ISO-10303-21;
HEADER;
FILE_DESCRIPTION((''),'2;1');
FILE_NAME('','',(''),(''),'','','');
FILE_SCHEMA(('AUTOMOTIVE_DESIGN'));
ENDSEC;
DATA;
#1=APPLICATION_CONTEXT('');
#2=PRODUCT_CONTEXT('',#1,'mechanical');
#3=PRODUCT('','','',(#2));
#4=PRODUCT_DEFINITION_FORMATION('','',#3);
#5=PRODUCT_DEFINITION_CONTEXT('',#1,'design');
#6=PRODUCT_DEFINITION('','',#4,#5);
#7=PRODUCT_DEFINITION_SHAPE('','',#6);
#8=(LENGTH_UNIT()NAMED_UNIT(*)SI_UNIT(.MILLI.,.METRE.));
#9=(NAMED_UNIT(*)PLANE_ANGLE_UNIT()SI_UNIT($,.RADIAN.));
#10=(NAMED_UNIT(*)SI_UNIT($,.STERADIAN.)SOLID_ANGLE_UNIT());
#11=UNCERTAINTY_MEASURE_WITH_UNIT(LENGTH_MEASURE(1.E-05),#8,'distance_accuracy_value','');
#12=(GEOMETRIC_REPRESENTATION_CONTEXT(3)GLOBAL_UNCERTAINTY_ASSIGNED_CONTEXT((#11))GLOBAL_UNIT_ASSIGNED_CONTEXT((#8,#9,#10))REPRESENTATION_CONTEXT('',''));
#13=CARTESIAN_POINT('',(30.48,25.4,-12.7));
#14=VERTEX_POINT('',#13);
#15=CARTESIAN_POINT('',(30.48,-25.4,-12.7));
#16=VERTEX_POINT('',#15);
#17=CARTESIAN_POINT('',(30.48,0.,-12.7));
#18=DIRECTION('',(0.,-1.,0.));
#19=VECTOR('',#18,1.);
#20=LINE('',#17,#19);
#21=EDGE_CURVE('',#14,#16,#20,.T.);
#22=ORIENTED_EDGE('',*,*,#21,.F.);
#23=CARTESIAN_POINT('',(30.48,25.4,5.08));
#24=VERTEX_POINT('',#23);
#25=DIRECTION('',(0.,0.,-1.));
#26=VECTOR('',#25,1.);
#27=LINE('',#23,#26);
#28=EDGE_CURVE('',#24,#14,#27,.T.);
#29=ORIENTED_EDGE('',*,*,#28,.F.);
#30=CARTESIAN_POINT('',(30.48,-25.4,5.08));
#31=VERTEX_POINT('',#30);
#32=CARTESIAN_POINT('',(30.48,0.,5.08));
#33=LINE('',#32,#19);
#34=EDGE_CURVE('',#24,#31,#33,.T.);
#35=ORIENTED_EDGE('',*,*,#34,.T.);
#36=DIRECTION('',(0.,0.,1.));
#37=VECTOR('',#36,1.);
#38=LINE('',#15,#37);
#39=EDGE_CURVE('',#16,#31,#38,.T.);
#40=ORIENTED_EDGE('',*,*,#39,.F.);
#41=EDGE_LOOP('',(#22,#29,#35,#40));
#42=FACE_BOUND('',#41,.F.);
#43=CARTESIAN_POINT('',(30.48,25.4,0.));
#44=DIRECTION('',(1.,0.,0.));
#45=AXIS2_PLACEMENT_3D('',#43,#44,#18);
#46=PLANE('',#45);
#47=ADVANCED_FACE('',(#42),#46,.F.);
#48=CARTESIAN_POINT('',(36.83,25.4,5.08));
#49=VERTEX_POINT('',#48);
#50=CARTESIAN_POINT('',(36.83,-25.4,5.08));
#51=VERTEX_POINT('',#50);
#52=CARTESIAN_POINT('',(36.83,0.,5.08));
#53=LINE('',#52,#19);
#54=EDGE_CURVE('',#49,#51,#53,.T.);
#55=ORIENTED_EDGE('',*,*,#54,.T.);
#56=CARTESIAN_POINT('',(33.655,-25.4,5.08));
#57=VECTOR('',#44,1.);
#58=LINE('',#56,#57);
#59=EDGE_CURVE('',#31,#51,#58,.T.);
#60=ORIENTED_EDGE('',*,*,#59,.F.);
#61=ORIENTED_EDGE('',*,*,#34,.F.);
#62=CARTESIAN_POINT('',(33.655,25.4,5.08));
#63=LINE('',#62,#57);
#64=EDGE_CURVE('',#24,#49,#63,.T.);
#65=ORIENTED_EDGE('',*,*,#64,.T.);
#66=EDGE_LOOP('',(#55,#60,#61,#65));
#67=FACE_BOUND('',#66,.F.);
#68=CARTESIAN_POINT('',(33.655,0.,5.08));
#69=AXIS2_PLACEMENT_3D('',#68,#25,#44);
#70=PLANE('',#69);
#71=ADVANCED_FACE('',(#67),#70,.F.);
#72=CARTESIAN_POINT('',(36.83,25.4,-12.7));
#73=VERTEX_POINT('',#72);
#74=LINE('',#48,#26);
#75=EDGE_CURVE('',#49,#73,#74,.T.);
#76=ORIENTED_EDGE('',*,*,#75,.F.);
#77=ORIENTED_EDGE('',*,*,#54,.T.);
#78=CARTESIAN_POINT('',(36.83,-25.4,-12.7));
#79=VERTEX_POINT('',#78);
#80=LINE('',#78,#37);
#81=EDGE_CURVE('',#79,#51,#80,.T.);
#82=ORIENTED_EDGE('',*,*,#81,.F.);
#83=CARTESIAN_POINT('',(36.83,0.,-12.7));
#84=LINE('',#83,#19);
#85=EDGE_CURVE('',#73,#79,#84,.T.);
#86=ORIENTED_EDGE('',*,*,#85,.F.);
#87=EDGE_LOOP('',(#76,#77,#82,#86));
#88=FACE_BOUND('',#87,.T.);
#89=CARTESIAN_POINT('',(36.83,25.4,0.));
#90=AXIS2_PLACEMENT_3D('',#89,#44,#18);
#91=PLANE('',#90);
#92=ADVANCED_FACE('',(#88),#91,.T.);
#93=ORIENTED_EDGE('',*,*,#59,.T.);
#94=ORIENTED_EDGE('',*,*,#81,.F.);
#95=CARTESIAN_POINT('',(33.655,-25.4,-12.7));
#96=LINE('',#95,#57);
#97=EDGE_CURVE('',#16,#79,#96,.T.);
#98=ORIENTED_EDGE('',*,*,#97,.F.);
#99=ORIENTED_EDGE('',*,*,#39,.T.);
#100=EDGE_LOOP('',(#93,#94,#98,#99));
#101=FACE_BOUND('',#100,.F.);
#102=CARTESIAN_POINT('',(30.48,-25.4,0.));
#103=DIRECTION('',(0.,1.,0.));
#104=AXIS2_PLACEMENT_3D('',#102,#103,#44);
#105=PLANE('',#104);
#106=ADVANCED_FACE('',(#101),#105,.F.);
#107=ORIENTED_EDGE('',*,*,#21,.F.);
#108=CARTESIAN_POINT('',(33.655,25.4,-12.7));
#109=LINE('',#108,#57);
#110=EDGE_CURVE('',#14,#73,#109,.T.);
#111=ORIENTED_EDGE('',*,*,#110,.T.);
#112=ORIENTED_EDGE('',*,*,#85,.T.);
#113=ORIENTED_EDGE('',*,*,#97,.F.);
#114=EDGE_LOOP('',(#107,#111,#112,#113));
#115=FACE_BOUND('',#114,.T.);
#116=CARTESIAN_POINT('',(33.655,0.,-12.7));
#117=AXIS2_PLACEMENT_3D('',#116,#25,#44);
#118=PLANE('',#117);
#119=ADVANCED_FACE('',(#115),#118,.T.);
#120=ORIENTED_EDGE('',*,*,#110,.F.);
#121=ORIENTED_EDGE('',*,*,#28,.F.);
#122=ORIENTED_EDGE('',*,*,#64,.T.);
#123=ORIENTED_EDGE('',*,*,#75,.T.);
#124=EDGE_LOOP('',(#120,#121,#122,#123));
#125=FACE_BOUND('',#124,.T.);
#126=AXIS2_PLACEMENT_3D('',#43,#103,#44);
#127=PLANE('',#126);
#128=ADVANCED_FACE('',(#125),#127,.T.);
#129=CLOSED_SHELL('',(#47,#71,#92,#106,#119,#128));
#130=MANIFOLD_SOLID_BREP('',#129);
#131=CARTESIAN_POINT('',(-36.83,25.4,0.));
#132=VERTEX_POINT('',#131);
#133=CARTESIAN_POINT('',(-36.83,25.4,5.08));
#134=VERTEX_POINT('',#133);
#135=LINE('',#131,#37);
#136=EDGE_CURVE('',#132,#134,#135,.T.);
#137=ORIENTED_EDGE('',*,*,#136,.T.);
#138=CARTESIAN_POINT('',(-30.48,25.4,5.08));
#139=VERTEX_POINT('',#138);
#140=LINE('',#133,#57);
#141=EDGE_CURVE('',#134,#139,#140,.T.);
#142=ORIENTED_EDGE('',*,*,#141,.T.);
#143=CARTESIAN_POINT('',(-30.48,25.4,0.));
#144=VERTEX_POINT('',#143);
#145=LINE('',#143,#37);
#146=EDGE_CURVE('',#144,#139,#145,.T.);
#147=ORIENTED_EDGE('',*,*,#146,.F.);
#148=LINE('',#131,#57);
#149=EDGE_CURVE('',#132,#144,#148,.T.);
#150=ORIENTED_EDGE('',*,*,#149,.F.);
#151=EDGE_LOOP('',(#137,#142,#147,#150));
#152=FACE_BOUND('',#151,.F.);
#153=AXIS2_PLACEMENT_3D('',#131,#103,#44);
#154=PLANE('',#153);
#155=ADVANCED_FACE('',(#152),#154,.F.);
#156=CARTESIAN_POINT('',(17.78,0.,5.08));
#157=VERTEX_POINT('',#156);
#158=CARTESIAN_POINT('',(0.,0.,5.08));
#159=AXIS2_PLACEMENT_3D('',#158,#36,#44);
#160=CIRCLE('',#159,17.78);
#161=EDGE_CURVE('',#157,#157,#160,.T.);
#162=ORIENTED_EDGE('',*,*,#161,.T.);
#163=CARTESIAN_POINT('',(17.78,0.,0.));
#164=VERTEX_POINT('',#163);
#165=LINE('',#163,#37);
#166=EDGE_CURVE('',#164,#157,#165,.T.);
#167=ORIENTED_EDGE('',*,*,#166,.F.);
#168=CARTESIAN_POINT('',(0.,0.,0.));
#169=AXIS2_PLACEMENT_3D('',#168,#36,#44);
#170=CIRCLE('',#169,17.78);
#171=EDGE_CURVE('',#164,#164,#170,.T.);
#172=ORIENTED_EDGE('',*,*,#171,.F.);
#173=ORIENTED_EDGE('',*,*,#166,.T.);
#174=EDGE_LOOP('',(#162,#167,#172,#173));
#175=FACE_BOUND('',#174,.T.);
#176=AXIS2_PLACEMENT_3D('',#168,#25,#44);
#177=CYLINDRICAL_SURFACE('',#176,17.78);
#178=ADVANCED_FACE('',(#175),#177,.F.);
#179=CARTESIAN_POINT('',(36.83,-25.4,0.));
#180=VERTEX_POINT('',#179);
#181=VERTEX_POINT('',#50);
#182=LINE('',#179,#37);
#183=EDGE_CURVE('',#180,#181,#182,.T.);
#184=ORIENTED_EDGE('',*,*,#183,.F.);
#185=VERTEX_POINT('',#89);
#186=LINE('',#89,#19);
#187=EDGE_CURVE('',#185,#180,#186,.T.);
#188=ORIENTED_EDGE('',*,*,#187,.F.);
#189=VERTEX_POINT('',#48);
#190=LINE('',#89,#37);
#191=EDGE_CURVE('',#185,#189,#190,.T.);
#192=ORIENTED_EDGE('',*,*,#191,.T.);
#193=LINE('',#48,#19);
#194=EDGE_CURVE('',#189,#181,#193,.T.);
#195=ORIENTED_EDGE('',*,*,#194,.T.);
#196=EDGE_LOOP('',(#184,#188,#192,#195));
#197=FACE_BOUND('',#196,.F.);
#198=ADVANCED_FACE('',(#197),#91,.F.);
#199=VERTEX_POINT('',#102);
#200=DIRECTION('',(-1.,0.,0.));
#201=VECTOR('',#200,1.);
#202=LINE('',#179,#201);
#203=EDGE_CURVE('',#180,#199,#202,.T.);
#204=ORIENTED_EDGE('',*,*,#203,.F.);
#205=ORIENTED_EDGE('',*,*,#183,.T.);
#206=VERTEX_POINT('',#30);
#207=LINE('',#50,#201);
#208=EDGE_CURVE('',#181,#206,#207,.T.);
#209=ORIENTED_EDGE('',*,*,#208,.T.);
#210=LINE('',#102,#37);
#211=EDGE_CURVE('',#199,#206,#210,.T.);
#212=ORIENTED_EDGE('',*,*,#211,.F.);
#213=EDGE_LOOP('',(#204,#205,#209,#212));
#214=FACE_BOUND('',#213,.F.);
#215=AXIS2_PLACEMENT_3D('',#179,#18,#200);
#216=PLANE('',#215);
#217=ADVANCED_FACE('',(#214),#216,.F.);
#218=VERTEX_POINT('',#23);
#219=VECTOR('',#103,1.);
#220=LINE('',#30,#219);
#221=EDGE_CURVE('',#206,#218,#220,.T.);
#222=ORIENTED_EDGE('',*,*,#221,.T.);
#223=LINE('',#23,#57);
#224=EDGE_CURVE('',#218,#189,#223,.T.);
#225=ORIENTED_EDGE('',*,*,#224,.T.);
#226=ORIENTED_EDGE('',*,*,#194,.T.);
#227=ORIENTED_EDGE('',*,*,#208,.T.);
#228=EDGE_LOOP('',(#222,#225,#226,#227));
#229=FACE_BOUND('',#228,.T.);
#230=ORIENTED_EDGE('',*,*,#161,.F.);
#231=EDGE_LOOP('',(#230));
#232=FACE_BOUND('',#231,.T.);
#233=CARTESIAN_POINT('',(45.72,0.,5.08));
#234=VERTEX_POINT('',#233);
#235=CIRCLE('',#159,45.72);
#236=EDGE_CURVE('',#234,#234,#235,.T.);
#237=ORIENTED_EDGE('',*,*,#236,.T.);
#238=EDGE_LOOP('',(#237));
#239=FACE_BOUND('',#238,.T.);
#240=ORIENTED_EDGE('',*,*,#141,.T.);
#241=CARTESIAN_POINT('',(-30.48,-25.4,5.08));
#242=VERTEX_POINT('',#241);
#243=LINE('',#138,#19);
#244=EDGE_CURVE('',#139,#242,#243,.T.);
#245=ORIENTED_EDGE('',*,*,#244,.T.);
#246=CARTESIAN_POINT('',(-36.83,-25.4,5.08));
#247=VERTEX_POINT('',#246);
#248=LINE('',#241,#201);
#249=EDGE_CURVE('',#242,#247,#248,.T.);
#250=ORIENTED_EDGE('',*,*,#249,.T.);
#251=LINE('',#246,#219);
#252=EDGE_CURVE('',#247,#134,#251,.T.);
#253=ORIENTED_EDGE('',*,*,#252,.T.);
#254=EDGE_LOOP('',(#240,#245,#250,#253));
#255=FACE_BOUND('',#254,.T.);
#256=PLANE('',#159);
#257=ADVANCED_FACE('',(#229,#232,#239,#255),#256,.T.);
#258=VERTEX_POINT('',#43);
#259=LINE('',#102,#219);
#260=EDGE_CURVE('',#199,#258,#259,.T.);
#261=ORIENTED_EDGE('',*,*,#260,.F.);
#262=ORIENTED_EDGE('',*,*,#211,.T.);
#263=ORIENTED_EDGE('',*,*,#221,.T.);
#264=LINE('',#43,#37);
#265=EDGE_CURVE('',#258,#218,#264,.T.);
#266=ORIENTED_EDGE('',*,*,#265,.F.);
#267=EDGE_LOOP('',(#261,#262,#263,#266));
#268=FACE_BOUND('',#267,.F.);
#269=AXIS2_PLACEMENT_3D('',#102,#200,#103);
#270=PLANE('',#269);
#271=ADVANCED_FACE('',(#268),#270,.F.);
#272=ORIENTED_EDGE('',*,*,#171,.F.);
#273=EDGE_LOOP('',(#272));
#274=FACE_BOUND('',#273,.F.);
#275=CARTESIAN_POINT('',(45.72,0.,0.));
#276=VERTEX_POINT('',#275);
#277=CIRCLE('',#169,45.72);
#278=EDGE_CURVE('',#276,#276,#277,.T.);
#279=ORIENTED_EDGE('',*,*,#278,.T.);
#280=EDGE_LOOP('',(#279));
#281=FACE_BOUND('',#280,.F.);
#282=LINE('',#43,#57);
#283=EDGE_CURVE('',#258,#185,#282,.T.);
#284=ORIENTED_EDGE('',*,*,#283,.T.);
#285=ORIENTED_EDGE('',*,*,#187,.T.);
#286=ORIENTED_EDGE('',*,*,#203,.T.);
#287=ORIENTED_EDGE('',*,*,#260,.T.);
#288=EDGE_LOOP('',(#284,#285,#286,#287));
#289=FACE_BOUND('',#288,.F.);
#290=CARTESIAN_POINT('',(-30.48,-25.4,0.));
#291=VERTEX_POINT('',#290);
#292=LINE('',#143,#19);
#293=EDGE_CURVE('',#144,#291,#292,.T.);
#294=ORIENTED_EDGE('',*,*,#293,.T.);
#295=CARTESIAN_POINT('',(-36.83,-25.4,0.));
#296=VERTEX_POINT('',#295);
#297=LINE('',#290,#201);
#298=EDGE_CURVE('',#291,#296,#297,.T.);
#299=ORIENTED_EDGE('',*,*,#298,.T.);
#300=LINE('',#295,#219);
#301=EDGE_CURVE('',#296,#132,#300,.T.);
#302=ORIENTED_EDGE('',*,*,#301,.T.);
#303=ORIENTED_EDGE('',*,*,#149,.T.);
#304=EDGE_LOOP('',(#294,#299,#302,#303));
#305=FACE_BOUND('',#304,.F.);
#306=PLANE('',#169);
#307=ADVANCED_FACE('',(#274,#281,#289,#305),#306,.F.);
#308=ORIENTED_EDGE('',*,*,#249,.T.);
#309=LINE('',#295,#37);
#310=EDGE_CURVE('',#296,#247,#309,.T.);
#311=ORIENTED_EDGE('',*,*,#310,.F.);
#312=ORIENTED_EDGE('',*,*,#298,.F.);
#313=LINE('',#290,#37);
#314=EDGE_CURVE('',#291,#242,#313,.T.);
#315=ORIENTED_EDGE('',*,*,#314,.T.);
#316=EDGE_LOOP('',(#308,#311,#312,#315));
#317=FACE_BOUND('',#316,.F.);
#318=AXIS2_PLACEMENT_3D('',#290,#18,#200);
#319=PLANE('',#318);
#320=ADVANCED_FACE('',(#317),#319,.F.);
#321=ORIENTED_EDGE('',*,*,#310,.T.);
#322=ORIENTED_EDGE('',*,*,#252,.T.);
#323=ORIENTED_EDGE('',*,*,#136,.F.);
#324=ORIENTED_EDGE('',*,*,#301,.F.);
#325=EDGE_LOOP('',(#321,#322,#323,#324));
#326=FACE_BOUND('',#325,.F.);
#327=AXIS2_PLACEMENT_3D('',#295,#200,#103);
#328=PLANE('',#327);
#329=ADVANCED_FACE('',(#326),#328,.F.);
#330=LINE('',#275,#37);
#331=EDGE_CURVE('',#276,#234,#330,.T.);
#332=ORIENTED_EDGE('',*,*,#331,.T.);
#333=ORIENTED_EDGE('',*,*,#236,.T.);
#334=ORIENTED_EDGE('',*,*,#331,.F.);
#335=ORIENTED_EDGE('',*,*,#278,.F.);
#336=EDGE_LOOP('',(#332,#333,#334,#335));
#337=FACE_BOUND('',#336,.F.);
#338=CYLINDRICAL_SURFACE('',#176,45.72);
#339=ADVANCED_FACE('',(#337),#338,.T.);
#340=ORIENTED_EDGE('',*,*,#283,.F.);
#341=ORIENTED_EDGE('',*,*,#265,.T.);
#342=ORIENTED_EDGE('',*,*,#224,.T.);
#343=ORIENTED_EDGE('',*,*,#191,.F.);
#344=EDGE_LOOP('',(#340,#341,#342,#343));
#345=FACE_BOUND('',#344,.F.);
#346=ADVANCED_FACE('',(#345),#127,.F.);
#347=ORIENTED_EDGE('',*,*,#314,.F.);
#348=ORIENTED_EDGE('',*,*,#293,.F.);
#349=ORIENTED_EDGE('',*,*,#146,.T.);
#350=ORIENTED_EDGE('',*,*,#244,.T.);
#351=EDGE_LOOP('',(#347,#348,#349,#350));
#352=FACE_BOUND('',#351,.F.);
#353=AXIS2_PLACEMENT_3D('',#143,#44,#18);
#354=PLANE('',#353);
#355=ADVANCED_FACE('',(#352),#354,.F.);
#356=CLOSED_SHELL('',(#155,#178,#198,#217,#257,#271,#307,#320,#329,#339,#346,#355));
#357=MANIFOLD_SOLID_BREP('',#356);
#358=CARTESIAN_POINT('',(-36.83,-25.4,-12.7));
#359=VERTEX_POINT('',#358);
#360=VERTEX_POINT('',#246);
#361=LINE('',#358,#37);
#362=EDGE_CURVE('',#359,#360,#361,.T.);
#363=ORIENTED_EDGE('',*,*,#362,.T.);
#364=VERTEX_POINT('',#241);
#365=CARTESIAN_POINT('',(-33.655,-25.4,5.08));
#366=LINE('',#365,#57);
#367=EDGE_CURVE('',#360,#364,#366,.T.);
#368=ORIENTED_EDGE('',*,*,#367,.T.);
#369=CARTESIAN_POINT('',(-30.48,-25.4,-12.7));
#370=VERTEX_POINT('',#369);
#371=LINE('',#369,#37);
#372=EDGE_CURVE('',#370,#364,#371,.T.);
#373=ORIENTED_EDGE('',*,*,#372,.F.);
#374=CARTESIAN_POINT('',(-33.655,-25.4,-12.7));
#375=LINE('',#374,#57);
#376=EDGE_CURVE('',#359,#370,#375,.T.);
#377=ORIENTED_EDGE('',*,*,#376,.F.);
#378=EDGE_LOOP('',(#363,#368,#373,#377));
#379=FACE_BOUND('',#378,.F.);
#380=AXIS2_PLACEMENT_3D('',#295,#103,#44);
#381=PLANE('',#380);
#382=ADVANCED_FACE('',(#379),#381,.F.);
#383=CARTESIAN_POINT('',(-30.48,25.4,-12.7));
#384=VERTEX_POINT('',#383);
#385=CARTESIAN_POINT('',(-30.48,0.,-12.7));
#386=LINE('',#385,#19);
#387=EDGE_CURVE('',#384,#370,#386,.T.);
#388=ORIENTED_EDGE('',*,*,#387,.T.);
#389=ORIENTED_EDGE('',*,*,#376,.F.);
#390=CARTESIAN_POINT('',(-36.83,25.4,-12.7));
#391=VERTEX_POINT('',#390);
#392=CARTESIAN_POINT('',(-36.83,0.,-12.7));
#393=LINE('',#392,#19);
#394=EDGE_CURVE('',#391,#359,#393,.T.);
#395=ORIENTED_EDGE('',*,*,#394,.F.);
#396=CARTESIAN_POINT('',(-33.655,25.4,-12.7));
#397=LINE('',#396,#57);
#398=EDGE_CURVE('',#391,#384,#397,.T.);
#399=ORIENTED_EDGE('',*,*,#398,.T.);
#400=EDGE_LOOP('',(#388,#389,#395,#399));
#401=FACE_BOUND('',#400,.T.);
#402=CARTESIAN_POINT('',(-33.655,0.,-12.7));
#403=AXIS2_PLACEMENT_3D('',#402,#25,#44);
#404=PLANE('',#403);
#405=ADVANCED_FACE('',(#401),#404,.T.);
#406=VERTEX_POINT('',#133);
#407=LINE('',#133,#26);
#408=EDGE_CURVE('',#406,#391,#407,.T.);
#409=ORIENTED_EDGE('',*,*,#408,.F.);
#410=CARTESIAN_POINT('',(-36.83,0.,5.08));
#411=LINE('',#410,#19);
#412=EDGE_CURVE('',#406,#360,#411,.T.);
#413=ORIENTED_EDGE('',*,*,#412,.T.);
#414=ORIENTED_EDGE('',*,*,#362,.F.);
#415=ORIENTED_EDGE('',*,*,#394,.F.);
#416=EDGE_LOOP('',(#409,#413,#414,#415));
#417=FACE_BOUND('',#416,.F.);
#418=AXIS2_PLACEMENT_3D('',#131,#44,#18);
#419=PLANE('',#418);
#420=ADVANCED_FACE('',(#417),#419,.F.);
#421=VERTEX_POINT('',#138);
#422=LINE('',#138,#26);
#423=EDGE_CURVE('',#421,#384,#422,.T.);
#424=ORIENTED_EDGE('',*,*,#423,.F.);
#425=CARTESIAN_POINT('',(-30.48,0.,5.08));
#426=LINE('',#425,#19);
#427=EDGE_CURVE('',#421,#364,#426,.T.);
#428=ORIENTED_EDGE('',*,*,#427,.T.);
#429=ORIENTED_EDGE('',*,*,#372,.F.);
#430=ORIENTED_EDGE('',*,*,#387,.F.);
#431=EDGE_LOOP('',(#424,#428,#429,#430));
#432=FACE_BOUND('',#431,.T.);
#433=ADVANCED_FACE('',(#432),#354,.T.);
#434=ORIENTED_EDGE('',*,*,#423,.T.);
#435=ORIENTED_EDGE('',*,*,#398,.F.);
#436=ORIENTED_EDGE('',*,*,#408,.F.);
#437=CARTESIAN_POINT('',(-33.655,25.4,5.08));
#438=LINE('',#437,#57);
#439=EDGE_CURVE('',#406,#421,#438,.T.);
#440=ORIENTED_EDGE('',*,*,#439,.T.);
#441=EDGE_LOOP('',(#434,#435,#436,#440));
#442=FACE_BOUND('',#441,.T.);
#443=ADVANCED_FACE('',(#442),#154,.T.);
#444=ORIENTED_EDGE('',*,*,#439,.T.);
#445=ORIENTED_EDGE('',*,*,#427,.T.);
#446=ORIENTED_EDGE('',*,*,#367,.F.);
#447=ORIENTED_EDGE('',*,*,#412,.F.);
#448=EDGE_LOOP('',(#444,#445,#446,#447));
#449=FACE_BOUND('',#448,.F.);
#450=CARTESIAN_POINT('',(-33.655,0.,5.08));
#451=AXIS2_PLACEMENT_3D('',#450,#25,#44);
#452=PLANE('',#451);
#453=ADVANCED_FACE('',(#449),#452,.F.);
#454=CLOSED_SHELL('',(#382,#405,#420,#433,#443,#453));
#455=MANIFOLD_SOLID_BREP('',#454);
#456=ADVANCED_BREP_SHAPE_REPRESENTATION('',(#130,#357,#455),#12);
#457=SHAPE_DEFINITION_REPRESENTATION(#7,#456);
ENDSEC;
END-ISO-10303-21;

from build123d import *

# Parameters (mm, degrees)
F0_R          = 45.72
F0_R_2        = 17.78
F1_DEPTH      = 5.08
F2_W          = 6.35
F2_H          = 50.8
F3_DEPTH      = 12.7
F3_DEPTH_BACK = 5.08


with BuildPart() as f1:
    # F0 (on Top) → F1 (new body)
    with BuildSketch(Plane.XY):
        Circle(F0_R)
        Polygon((-36.83, -25.4), (-36.83, 0), (-36.83, 25.4), (-30.48, 25.4), (-30.48, 0), (-30.48, -25.4), align=None, mode=Mode.SUBTRACT)
        Circle(F0_R_2, mode=Mode.SUBTRACT)
        Polygon((30.48, -25.4), (30.48, 0), (30.48, 25.4), (36.83, 25.4), (36.83, 0), (36.83, -25.4), align=None, mode=Mode.SUBTRACT)
    extrude(amount=F1_DEPTH)


with BuildPart() as f3:
    # F2 (on face) → F3 (new body, two sides)
    with BuildSketch(Plane(origin=(0, 0, 0), x_dir=(1, 0, 0), z_dir=(0, 0, -1))) as f3_sk:
        with Locations((33.655, 0)):
            Rectangle(F2_W, F2_H)
    extrude(amount=F3_DEPTH)
    extrude(f3_sk.sketch, amount=-F3_DEPTH_BACK)


with BuildPart() as f3b:
    # F2 (on face) → F3, piece 2 (new body, two sides)
    with BuildSketch(Plane(origin=(0, 0, 0), x_dir=(1, 0, 0), z_dir=(0, 0, -1))) as f3_2_sk:
        with Locations((-33.655, 0)):
            Rectangle(F2_W, F2_H)
    extrude(amount=F3_DEPTH)
    extrude(f3_2_sk.sketch, amount=-F3_DEPTH_BACK)


solid = Compound([f1.part, f3.part, f3b.part])
